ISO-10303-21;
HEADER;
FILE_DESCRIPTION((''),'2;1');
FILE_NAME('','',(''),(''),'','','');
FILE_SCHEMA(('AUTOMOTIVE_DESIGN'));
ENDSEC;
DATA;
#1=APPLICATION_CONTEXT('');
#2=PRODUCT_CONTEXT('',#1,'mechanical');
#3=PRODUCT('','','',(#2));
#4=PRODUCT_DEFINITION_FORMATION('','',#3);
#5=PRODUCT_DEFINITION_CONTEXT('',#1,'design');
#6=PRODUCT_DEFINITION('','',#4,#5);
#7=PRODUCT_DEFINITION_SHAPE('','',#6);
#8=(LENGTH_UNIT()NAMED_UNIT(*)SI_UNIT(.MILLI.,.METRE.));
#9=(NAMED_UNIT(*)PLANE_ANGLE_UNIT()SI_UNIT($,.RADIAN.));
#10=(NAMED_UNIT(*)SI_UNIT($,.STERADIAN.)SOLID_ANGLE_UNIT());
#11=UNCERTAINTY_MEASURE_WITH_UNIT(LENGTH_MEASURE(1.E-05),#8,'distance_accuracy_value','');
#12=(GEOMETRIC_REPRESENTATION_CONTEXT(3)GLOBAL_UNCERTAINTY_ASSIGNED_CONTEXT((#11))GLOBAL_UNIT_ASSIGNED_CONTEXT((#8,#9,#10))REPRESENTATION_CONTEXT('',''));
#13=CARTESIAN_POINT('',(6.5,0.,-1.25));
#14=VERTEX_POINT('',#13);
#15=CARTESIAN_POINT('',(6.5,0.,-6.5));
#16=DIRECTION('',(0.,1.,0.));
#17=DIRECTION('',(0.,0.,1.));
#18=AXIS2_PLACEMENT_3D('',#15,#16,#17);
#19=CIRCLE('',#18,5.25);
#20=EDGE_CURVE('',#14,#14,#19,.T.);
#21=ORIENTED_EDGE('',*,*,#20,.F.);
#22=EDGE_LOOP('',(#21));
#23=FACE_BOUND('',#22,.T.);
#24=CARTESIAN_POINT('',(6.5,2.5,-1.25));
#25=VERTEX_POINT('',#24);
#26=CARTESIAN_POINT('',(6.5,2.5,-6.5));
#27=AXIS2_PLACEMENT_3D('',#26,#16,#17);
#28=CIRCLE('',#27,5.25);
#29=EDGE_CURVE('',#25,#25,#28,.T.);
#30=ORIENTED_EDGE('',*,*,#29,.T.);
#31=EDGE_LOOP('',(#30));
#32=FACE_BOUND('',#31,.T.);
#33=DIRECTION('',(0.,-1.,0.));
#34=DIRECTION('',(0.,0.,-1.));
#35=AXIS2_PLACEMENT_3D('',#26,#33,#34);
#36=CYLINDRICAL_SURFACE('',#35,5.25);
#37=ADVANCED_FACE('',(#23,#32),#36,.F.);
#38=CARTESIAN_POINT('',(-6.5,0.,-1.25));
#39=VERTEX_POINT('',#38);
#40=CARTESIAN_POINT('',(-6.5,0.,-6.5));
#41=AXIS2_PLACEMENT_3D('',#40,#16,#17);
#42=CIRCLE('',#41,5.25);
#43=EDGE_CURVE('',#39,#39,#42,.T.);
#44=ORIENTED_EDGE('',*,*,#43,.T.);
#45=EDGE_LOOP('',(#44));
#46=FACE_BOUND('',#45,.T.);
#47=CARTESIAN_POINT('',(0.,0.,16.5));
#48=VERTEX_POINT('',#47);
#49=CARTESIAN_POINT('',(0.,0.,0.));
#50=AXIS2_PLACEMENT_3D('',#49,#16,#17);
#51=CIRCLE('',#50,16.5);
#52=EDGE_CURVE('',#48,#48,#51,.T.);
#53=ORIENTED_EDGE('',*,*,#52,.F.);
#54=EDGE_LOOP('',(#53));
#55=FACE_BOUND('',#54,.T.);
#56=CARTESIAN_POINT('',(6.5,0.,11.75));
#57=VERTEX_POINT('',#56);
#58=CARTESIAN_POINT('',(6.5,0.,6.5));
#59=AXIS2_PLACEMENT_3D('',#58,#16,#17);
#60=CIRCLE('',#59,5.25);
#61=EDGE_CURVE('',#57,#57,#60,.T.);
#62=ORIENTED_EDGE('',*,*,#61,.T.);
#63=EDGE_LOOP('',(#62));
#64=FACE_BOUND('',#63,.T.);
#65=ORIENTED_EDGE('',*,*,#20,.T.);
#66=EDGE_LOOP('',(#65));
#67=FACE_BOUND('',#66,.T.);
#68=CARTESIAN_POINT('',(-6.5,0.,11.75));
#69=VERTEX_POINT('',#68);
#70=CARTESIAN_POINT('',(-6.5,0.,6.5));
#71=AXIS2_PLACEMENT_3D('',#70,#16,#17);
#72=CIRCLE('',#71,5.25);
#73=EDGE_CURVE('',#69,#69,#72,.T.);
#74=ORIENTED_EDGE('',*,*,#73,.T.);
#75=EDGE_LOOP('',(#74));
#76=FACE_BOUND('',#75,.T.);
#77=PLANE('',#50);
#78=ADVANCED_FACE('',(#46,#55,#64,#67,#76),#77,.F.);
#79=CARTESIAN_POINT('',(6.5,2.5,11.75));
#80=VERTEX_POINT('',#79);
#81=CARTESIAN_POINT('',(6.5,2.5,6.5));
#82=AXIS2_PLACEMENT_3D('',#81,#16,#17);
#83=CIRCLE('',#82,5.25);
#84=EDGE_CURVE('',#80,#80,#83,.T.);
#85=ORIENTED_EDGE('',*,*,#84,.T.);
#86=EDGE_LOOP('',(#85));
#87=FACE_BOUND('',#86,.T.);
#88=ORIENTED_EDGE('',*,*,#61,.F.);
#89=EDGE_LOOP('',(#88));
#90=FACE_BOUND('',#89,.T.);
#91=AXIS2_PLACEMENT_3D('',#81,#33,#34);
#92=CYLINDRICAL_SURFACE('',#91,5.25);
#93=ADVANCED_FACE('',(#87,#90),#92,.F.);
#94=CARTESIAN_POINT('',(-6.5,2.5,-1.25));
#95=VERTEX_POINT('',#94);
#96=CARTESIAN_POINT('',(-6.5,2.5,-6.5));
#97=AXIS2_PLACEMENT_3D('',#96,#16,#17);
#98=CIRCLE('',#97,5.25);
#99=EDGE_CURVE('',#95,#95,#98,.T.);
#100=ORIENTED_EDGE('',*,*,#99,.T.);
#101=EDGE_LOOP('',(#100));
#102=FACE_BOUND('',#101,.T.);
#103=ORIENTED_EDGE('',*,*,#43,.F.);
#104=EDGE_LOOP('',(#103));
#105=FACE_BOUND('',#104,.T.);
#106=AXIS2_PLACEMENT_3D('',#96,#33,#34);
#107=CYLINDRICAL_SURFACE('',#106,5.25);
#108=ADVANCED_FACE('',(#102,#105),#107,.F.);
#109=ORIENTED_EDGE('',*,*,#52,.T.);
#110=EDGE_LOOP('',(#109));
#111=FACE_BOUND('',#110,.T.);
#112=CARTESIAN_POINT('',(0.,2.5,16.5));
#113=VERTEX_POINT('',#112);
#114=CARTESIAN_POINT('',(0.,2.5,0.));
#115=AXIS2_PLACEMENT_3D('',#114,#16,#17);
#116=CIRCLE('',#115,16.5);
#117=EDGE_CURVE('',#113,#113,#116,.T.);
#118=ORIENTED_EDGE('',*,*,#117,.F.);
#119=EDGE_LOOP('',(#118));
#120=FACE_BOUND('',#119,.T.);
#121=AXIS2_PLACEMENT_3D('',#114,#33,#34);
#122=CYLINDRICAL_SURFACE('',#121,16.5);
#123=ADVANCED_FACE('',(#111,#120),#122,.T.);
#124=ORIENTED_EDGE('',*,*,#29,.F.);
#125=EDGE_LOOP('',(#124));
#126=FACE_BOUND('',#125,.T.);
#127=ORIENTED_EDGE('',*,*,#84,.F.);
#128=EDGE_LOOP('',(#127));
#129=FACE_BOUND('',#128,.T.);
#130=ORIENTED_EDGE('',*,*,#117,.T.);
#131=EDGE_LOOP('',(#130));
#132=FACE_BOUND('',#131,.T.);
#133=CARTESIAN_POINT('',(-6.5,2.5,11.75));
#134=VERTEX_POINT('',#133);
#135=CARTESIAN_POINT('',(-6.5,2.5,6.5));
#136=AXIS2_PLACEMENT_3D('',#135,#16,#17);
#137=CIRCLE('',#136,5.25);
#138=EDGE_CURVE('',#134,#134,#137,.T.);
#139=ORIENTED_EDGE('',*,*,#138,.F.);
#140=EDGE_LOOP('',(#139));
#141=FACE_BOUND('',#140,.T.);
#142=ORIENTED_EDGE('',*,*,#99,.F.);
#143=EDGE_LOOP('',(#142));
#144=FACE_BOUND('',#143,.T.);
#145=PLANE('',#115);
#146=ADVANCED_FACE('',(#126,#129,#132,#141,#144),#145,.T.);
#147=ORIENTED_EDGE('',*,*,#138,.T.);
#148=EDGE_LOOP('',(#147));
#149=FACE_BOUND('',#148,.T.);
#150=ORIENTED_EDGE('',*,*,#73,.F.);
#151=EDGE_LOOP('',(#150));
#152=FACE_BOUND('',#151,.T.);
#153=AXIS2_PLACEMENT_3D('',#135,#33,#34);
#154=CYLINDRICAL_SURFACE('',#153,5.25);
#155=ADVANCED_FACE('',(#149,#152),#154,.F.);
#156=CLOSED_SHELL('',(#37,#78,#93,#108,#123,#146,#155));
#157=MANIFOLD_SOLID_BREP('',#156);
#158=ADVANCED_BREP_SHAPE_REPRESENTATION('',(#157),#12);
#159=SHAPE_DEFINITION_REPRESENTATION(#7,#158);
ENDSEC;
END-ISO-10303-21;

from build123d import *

# Parameters (mm, degrees)
SKETCH1_R           = 16.5
SKETCH1_R_2         = 5.25
BOSS_EXTRUDE1_DEPTH = 2.5


with BuildPart() as part:
    # Sketch1 → Boss-Extrude1 (new body)
    with BuildSketch(Plane(origin=(0, 0, 0), x_dir=(1, 0, 0), z_dir=(0, 1, 0))):
        Circle(SKETCH1_R)
        with Locations((6.5, -6.5)):
            Circle(SKETCH1_R_2, mode=Mode.SUBTRACT)
        with Locations((-6.5, -6.5)):
            Circle(SKETCH1_R_2, mode=Mode.SUBTRACT)
        with Locations((-6.5, 6.5)):
            Circle(SKETCH1_R_2, mode=Mode.SUBTRACT)
        with Locations((6.5, 6.5)):
            Circle(SKETCH1_R_2, mode=Mode.SUBTRACT)
    extrude(amount=BOSS_EXTRUDE1_DEPTH)


solid = part.part
